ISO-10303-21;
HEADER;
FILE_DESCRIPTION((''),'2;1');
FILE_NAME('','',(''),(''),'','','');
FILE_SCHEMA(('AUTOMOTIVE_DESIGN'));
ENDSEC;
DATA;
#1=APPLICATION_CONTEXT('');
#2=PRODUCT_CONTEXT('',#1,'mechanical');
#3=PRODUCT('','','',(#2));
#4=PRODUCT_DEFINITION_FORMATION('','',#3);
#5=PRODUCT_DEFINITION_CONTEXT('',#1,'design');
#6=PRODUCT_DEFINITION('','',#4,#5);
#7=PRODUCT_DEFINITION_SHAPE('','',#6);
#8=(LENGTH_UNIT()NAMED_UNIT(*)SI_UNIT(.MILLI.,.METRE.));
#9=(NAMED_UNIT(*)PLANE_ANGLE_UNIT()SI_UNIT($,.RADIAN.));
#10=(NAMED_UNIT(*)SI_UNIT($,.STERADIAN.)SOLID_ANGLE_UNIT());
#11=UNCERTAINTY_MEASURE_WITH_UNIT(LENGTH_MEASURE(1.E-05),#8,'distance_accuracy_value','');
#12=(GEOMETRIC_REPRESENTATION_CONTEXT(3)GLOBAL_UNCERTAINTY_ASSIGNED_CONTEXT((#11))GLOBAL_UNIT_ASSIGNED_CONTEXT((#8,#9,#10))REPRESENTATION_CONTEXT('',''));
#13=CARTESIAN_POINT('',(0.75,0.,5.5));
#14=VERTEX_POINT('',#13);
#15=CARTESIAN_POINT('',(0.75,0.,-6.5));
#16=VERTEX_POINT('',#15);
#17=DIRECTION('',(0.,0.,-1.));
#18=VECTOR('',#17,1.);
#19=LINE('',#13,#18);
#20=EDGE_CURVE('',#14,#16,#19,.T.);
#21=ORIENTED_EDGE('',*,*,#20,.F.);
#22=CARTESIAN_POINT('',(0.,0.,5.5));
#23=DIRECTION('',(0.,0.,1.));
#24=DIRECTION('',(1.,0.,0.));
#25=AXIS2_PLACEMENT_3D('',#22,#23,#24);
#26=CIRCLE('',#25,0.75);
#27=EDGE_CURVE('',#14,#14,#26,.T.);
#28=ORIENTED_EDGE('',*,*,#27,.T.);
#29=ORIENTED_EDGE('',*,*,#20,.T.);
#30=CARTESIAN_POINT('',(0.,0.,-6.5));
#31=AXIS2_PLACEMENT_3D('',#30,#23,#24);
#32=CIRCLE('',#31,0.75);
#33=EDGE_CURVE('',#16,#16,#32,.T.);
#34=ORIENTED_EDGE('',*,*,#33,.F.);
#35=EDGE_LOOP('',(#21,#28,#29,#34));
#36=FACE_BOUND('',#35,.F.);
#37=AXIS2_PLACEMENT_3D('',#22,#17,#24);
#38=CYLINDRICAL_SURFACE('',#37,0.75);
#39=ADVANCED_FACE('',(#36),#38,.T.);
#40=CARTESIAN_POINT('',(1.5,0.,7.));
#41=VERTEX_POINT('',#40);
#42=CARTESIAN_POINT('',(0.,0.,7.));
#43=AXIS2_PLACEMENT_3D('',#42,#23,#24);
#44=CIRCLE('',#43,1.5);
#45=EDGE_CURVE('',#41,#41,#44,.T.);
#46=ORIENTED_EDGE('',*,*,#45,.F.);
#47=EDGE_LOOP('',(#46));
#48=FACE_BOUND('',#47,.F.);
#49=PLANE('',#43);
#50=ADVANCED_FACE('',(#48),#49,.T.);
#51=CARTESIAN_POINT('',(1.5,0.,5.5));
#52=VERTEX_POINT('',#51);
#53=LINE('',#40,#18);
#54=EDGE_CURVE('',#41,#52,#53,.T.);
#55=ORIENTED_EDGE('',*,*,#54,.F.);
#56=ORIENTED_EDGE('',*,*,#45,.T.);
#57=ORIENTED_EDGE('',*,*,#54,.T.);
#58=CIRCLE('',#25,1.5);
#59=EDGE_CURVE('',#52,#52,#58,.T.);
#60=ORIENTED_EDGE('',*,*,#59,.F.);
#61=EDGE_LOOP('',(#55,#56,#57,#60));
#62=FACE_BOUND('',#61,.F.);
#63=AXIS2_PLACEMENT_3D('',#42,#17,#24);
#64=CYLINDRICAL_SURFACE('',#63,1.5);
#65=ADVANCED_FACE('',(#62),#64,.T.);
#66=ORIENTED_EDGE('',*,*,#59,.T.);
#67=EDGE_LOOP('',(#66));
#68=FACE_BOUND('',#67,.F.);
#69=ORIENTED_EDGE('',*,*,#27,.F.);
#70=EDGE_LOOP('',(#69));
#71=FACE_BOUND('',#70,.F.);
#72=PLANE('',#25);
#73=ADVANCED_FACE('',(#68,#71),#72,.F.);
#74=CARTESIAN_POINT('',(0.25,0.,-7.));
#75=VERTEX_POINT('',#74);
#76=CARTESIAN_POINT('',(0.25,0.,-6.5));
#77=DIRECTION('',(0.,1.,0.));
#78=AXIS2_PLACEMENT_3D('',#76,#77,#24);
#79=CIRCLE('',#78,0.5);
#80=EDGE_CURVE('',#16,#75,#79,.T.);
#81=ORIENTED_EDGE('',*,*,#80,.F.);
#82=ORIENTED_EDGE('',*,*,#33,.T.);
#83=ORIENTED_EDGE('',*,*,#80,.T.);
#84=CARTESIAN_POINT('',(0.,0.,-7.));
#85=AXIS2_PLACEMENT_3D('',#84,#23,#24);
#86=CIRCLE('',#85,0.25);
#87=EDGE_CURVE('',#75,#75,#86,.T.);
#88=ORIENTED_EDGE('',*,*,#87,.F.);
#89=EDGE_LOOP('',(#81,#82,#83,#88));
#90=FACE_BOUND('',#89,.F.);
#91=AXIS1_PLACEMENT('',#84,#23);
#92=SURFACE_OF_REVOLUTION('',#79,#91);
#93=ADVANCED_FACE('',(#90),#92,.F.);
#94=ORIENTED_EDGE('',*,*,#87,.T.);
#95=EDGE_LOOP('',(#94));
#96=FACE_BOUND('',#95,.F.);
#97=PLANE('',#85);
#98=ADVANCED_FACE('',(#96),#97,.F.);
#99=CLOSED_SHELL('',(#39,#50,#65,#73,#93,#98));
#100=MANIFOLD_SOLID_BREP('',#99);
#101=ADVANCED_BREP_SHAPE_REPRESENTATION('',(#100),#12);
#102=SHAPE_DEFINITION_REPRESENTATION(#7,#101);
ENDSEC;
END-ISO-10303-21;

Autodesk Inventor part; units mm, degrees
ref_plane "YZ Plane" through (0, 0, 0) normal (1, 0, 0) x (0, 1, 0)
ref_plane "XZ Plane" through (0, 0, 0) normal (0, 1, 0) x (-1, 0, 0)
ref_plane "XY Plane" through (0, 0, 0) normal (0, 0, 1) x (1, 0, 0)
sketch "Sketch1" plane through (0, 0, 0) normal (0, 1, 0) x (-1, 0, 0)
  line L0 (0, 7) -> (-1.5, 7)
  line L1 (-1.5, 7) -> (-1.5, 5.5)
  line L2 (-1.5, 5.5) -> (-0.75, 5.5)
  line L3 (-0.75, 5.5) -> (-0.75, -6.5)
  line L4 (0, -7) -> (0, 7)
  arc A0 (-0.75, -6.5) -> (-0.25, -7) centre (-0.25, -6.5) ccw
  line L5 (-0.25, -7) -> (0, -7)
  point P0 (0, 0)
  point P1 (0, 0)
  dimension "d0" = 3
  dimension "d1" = 1.5
  dimension "d2" = 12.5
  dimension "d3" = 0.5
  dimension "d4" = 1.5
revolve "Revolution1" add sketch "Sketch1" angle 360 about axis through (0, 0, -7) along (0, 0, 1)
thread "Thread1" size "M3x0.5" class "6g" standard "ANSI Metric M Profile" full length
properties part number "Structure_SwitchPin" material "Stainless Steel"
